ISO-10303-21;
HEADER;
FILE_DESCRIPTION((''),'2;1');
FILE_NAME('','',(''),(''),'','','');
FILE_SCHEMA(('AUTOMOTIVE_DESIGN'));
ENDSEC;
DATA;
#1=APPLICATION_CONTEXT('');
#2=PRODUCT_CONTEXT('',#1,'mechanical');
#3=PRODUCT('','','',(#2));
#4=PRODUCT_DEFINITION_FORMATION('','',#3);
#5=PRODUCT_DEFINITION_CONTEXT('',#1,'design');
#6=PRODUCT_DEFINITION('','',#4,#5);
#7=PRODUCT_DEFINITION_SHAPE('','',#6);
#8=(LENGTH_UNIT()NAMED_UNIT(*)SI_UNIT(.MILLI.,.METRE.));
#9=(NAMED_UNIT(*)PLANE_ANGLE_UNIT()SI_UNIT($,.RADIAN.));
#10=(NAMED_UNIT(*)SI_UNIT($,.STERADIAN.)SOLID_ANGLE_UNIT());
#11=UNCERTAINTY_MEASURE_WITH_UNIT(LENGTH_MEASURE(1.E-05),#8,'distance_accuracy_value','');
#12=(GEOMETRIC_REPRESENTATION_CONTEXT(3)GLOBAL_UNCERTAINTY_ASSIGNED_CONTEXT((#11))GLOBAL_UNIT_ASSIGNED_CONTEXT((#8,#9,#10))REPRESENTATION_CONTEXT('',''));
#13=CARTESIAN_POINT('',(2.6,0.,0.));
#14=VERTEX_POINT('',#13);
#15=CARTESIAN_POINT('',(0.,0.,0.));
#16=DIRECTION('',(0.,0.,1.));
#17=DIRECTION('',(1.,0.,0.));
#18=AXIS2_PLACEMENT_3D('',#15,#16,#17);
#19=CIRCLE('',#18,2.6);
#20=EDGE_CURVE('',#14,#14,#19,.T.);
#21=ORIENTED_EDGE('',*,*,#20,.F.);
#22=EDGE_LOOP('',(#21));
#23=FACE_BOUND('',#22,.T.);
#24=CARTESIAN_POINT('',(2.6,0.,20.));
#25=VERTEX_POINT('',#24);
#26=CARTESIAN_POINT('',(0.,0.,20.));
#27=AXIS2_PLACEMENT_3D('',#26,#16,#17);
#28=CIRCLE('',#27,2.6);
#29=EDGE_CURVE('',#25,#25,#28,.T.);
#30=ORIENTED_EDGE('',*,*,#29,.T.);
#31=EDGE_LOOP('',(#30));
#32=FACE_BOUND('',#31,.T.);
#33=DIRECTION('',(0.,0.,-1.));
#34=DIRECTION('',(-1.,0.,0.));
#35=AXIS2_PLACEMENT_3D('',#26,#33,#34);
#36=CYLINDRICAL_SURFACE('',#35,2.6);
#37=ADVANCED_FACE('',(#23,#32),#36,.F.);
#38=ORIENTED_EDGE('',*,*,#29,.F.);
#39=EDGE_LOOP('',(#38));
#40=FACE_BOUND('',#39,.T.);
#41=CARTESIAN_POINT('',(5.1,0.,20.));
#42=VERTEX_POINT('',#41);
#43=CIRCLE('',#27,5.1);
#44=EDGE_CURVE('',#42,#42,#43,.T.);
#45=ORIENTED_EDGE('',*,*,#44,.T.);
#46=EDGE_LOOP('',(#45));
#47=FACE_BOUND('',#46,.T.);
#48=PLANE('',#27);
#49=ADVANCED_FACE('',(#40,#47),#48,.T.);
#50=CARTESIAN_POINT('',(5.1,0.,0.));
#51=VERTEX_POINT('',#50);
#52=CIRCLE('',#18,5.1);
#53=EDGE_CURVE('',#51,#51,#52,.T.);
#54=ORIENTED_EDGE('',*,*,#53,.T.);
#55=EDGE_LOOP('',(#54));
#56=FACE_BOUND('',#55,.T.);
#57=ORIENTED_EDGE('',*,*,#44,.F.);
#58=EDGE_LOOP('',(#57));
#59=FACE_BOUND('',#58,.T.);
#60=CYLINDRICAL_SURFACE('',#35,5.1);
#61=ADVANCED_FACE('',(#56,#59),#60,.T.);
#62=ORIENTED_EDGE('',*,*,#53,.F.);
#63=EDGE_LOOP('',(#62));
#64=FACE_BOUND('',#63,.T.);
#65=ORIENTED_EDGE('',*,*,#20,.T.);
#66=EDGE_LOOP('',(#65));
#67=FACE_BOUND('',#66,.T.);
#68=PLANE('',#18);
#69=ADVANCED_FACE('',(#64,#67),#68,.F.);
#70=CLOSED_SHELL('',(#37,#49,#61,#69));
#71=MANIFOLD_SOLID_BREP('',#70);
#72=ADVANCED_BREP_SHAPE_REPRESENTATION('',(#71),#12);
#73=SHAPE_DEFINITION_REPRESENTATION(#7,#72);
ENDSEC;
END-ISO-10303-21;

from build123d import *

# Parameters (mm, degrees)
CROQUIS1_R              = 5.1
CROQUIS1_R_2            = 2.6
SALIENTE_EXTRUIR1_DEPTH = 20


with BuildPart() as part:
    # Croquis1 → Saliente-Extruir1 (new body)
    with BuildSketch(Plane.XY):
        Circle(CROQUIS1_R)
        Circle(CROQUIS1_R_2, mode=Mode.SUBTRACT)
    extrude(amount=SALIENTE_EXTRUIR1_DEPTH)


solid = part.part
